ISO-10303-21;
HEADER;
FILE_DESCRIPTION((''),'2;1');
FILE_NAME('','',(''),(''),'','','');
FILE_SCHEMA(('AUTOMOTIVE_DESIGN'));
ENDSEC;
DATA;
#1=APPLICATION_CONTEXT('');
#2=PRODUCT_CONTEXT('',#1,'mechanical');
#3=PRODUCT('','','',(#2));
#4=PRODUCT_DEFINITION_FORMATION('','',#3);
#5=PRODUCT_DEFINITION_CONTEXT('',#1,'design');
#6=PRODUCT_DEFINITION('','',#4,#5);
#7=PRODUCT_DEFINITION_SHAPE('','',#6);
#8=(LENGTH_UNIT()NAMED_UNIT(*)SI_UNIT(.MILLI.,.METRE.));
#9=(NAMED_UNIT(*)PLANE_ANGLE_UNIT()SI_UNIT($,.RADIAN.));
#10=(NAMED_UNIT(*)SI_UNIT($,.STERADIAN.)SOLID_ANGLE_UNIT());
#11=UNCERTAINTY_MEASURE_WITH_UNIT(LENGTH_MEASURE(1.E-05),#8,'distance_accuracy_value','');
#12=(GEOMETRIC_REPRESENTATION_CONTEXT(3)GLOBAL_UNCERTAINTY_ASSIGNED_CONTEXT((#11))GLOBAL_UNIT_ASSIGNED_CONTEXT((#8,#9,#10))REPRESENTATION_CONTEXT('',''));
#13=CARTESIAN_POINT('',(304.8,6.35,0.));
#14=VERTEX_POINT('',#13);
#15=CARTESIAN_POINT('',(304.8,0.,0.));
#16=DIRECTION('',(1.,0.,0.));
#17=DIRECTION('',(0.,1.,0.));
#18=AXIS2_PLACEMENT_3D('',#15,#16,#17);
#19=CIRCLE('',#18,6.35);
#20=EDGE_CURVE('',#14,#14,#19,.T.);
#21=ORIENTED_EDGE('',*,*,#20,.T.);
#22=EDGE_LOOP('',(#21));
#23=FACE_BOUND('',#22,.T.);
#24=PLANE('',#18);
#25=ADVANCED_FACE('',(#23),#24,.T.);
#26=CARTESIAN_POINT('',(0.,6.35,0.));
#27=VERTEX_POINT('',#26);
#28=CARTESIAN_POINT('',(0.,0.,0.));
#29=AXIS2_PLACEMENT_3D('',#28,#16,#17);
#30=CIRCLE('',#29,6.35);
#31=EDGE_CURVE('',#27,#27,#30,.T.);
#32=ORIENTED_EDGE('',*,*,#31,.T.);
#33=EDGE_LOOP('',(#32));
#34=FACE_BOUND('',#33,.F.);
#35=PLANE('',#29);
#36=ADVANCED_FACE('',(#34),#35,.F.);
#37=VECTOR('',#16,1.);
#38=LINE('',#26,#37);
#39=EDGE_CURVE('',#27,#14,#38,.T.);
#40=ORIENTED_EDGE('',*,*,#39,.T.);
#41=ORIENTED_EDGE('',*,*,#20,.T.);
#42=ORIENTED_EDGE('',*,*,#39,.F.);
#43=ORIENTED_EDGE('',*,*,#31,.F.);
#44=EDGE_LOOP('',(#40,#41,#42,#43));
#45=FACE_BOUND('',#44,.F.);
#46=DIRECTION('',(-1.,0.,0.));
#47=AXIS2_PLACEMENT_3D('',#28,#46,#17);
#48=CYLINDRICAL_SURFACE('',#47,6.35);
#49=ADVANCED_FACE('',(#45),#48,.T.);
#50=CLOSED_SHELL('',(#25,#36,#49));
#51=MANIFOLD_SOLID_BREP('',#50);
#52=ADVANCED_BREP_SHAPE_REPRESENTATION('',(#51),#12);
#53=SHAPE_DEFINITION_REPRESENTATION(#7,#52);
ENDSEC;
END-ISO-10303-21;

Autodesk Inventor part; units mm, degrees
ref_plane "YZ Plane" through (0, 0, 0) normal (1, 0, 0) x (0, 1, 0)
ref_plane "XZ Plane" through (0, 0, 0) normal (0, 1, 0) x (-1, 0, 0)
ref_plane "XY Plane" through (0, 0, 0) normal (0, 0, 1) x (1, 0, 0)
sketch "Sketch1" plane through (0, 0, 0) normal (1, 0, 0) x (0, 1, 0)
  circle A0 centre (0, 0) radius 6.35
  dimension "d0" = 12.7
extrude "Extrusion1" add sketch "Sketch1" along normal blind 304.8
properties part number "Sliding_Shaft" material "Steel, Carbon"
